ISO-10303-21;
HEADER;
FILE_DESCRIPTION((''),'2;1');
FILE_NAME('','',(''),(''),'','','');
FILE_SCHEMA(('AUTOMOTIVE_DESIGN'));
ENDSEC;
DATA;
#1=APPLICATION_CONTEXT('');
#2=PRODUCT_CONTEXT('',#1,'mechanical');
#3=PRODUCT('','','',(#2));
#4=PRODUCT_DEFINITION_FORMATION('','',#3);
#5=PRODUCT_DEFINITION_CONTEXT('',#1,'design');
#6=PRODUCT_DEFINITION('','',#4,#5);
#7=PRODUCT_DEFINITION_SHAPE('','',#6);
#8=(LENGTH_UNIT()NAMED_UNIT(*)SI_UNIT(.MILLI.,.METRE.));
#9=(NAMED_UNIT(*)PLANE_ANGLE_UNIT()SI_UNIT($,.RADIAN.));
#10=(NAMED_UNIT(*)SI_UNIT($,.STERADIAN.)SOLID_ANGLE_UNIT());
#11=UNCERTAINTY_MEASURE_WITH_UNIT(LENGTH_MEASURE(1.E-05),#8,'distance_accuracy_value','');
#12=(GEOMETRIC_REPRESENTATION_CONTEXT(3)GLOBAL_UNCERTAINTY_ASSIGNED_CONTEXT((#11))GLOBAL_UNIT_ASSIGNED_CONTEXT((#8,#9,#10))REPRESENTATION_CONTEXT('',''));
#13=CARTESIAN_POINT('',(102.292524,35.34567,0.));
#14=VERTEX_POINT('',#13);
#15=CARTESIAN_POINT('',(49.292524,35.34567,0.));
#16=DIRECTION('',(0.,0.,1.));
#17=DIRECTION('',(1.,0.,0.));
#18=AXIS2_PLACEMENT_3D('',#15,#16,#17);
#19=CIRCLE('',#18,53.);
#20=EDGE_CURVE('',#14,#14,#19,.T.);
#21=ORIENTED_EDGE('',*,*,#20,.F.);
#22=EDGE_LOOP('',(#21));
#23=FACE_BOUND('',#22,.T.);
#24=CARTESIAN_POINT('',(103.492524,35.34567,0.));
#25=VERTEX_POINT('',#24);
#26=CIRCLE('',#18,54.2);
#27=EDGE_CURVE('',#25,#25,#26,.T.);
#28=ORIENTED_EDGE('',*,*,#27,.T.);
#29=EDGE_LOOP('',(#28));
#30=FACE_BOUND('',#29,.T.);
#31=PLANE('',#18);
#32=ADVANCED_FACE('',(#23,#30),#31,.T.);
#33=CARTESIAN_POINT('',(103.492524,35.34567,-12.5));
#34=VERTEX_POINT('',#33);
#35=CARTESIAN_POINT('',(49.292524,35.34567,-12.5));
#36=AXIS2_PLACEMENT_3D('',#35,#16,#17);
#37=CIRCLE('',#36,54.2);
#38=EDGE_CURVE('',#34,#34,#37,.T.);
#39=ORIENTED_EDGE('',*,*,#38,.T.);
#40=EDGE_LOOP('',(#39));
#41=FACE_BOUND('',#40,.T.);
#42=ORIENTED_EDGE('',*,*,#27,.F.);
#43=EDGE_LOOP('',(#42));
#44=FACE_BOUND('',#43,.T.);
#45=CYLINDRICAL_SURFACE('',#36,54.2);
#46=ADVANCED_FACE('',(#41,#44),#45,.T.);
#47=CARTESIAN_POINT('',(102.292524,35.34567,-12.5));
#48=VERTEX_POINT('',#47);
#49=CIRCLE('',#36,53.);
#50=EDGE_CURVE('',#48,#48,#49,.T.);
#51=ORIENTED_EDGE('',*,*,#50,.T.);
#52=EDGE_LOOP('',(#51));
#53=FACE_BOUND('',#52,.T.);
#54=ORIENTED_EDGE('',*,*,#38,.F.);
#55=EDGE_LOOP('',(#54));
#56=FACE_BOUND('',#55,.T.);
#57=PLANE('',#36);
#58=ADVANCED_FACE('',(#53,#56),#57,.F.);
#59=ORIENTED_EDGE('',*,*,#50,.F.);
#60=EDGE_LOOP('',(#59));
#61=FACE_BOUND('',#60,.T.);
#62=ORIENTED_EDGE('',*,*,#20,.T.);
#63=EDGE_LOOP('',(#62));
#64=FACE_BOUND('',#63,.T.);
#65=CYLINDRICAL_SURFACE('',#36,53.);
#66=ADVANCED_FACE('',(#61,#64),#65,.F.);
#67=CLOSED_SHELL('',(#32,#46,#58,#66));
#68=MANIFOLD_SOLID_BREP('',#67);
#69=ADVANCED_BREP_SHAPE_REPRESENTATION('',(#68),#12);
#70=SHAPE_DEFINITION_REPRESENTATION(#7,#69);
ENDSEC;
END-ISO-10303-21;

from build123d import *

# Parameters (mm, degrees)
SZKIC1_R                    = 54.2
SZKIC1_R_2                  = 53
DODANIE_WYCI_GNI_CIE1_DEPTH = 12.5


with BuildPart() as part:
    # Szkic1 → Dodanie-wyciągnięcie1 (new body)
    with BuildSketch(Plane.XY):
        with Locations((49.292524281, 35.345669959)):
            Circle(SZKIC1_R)
        with Locations((49.292524281, 35.345669959)):
            Circle(SZKIC1_R_2, mode=Mode.SUBTRACT)
    extrude(amount=-DODANIE_WYCI_GNI_CIE1_DEPTH)


solid = part.part
